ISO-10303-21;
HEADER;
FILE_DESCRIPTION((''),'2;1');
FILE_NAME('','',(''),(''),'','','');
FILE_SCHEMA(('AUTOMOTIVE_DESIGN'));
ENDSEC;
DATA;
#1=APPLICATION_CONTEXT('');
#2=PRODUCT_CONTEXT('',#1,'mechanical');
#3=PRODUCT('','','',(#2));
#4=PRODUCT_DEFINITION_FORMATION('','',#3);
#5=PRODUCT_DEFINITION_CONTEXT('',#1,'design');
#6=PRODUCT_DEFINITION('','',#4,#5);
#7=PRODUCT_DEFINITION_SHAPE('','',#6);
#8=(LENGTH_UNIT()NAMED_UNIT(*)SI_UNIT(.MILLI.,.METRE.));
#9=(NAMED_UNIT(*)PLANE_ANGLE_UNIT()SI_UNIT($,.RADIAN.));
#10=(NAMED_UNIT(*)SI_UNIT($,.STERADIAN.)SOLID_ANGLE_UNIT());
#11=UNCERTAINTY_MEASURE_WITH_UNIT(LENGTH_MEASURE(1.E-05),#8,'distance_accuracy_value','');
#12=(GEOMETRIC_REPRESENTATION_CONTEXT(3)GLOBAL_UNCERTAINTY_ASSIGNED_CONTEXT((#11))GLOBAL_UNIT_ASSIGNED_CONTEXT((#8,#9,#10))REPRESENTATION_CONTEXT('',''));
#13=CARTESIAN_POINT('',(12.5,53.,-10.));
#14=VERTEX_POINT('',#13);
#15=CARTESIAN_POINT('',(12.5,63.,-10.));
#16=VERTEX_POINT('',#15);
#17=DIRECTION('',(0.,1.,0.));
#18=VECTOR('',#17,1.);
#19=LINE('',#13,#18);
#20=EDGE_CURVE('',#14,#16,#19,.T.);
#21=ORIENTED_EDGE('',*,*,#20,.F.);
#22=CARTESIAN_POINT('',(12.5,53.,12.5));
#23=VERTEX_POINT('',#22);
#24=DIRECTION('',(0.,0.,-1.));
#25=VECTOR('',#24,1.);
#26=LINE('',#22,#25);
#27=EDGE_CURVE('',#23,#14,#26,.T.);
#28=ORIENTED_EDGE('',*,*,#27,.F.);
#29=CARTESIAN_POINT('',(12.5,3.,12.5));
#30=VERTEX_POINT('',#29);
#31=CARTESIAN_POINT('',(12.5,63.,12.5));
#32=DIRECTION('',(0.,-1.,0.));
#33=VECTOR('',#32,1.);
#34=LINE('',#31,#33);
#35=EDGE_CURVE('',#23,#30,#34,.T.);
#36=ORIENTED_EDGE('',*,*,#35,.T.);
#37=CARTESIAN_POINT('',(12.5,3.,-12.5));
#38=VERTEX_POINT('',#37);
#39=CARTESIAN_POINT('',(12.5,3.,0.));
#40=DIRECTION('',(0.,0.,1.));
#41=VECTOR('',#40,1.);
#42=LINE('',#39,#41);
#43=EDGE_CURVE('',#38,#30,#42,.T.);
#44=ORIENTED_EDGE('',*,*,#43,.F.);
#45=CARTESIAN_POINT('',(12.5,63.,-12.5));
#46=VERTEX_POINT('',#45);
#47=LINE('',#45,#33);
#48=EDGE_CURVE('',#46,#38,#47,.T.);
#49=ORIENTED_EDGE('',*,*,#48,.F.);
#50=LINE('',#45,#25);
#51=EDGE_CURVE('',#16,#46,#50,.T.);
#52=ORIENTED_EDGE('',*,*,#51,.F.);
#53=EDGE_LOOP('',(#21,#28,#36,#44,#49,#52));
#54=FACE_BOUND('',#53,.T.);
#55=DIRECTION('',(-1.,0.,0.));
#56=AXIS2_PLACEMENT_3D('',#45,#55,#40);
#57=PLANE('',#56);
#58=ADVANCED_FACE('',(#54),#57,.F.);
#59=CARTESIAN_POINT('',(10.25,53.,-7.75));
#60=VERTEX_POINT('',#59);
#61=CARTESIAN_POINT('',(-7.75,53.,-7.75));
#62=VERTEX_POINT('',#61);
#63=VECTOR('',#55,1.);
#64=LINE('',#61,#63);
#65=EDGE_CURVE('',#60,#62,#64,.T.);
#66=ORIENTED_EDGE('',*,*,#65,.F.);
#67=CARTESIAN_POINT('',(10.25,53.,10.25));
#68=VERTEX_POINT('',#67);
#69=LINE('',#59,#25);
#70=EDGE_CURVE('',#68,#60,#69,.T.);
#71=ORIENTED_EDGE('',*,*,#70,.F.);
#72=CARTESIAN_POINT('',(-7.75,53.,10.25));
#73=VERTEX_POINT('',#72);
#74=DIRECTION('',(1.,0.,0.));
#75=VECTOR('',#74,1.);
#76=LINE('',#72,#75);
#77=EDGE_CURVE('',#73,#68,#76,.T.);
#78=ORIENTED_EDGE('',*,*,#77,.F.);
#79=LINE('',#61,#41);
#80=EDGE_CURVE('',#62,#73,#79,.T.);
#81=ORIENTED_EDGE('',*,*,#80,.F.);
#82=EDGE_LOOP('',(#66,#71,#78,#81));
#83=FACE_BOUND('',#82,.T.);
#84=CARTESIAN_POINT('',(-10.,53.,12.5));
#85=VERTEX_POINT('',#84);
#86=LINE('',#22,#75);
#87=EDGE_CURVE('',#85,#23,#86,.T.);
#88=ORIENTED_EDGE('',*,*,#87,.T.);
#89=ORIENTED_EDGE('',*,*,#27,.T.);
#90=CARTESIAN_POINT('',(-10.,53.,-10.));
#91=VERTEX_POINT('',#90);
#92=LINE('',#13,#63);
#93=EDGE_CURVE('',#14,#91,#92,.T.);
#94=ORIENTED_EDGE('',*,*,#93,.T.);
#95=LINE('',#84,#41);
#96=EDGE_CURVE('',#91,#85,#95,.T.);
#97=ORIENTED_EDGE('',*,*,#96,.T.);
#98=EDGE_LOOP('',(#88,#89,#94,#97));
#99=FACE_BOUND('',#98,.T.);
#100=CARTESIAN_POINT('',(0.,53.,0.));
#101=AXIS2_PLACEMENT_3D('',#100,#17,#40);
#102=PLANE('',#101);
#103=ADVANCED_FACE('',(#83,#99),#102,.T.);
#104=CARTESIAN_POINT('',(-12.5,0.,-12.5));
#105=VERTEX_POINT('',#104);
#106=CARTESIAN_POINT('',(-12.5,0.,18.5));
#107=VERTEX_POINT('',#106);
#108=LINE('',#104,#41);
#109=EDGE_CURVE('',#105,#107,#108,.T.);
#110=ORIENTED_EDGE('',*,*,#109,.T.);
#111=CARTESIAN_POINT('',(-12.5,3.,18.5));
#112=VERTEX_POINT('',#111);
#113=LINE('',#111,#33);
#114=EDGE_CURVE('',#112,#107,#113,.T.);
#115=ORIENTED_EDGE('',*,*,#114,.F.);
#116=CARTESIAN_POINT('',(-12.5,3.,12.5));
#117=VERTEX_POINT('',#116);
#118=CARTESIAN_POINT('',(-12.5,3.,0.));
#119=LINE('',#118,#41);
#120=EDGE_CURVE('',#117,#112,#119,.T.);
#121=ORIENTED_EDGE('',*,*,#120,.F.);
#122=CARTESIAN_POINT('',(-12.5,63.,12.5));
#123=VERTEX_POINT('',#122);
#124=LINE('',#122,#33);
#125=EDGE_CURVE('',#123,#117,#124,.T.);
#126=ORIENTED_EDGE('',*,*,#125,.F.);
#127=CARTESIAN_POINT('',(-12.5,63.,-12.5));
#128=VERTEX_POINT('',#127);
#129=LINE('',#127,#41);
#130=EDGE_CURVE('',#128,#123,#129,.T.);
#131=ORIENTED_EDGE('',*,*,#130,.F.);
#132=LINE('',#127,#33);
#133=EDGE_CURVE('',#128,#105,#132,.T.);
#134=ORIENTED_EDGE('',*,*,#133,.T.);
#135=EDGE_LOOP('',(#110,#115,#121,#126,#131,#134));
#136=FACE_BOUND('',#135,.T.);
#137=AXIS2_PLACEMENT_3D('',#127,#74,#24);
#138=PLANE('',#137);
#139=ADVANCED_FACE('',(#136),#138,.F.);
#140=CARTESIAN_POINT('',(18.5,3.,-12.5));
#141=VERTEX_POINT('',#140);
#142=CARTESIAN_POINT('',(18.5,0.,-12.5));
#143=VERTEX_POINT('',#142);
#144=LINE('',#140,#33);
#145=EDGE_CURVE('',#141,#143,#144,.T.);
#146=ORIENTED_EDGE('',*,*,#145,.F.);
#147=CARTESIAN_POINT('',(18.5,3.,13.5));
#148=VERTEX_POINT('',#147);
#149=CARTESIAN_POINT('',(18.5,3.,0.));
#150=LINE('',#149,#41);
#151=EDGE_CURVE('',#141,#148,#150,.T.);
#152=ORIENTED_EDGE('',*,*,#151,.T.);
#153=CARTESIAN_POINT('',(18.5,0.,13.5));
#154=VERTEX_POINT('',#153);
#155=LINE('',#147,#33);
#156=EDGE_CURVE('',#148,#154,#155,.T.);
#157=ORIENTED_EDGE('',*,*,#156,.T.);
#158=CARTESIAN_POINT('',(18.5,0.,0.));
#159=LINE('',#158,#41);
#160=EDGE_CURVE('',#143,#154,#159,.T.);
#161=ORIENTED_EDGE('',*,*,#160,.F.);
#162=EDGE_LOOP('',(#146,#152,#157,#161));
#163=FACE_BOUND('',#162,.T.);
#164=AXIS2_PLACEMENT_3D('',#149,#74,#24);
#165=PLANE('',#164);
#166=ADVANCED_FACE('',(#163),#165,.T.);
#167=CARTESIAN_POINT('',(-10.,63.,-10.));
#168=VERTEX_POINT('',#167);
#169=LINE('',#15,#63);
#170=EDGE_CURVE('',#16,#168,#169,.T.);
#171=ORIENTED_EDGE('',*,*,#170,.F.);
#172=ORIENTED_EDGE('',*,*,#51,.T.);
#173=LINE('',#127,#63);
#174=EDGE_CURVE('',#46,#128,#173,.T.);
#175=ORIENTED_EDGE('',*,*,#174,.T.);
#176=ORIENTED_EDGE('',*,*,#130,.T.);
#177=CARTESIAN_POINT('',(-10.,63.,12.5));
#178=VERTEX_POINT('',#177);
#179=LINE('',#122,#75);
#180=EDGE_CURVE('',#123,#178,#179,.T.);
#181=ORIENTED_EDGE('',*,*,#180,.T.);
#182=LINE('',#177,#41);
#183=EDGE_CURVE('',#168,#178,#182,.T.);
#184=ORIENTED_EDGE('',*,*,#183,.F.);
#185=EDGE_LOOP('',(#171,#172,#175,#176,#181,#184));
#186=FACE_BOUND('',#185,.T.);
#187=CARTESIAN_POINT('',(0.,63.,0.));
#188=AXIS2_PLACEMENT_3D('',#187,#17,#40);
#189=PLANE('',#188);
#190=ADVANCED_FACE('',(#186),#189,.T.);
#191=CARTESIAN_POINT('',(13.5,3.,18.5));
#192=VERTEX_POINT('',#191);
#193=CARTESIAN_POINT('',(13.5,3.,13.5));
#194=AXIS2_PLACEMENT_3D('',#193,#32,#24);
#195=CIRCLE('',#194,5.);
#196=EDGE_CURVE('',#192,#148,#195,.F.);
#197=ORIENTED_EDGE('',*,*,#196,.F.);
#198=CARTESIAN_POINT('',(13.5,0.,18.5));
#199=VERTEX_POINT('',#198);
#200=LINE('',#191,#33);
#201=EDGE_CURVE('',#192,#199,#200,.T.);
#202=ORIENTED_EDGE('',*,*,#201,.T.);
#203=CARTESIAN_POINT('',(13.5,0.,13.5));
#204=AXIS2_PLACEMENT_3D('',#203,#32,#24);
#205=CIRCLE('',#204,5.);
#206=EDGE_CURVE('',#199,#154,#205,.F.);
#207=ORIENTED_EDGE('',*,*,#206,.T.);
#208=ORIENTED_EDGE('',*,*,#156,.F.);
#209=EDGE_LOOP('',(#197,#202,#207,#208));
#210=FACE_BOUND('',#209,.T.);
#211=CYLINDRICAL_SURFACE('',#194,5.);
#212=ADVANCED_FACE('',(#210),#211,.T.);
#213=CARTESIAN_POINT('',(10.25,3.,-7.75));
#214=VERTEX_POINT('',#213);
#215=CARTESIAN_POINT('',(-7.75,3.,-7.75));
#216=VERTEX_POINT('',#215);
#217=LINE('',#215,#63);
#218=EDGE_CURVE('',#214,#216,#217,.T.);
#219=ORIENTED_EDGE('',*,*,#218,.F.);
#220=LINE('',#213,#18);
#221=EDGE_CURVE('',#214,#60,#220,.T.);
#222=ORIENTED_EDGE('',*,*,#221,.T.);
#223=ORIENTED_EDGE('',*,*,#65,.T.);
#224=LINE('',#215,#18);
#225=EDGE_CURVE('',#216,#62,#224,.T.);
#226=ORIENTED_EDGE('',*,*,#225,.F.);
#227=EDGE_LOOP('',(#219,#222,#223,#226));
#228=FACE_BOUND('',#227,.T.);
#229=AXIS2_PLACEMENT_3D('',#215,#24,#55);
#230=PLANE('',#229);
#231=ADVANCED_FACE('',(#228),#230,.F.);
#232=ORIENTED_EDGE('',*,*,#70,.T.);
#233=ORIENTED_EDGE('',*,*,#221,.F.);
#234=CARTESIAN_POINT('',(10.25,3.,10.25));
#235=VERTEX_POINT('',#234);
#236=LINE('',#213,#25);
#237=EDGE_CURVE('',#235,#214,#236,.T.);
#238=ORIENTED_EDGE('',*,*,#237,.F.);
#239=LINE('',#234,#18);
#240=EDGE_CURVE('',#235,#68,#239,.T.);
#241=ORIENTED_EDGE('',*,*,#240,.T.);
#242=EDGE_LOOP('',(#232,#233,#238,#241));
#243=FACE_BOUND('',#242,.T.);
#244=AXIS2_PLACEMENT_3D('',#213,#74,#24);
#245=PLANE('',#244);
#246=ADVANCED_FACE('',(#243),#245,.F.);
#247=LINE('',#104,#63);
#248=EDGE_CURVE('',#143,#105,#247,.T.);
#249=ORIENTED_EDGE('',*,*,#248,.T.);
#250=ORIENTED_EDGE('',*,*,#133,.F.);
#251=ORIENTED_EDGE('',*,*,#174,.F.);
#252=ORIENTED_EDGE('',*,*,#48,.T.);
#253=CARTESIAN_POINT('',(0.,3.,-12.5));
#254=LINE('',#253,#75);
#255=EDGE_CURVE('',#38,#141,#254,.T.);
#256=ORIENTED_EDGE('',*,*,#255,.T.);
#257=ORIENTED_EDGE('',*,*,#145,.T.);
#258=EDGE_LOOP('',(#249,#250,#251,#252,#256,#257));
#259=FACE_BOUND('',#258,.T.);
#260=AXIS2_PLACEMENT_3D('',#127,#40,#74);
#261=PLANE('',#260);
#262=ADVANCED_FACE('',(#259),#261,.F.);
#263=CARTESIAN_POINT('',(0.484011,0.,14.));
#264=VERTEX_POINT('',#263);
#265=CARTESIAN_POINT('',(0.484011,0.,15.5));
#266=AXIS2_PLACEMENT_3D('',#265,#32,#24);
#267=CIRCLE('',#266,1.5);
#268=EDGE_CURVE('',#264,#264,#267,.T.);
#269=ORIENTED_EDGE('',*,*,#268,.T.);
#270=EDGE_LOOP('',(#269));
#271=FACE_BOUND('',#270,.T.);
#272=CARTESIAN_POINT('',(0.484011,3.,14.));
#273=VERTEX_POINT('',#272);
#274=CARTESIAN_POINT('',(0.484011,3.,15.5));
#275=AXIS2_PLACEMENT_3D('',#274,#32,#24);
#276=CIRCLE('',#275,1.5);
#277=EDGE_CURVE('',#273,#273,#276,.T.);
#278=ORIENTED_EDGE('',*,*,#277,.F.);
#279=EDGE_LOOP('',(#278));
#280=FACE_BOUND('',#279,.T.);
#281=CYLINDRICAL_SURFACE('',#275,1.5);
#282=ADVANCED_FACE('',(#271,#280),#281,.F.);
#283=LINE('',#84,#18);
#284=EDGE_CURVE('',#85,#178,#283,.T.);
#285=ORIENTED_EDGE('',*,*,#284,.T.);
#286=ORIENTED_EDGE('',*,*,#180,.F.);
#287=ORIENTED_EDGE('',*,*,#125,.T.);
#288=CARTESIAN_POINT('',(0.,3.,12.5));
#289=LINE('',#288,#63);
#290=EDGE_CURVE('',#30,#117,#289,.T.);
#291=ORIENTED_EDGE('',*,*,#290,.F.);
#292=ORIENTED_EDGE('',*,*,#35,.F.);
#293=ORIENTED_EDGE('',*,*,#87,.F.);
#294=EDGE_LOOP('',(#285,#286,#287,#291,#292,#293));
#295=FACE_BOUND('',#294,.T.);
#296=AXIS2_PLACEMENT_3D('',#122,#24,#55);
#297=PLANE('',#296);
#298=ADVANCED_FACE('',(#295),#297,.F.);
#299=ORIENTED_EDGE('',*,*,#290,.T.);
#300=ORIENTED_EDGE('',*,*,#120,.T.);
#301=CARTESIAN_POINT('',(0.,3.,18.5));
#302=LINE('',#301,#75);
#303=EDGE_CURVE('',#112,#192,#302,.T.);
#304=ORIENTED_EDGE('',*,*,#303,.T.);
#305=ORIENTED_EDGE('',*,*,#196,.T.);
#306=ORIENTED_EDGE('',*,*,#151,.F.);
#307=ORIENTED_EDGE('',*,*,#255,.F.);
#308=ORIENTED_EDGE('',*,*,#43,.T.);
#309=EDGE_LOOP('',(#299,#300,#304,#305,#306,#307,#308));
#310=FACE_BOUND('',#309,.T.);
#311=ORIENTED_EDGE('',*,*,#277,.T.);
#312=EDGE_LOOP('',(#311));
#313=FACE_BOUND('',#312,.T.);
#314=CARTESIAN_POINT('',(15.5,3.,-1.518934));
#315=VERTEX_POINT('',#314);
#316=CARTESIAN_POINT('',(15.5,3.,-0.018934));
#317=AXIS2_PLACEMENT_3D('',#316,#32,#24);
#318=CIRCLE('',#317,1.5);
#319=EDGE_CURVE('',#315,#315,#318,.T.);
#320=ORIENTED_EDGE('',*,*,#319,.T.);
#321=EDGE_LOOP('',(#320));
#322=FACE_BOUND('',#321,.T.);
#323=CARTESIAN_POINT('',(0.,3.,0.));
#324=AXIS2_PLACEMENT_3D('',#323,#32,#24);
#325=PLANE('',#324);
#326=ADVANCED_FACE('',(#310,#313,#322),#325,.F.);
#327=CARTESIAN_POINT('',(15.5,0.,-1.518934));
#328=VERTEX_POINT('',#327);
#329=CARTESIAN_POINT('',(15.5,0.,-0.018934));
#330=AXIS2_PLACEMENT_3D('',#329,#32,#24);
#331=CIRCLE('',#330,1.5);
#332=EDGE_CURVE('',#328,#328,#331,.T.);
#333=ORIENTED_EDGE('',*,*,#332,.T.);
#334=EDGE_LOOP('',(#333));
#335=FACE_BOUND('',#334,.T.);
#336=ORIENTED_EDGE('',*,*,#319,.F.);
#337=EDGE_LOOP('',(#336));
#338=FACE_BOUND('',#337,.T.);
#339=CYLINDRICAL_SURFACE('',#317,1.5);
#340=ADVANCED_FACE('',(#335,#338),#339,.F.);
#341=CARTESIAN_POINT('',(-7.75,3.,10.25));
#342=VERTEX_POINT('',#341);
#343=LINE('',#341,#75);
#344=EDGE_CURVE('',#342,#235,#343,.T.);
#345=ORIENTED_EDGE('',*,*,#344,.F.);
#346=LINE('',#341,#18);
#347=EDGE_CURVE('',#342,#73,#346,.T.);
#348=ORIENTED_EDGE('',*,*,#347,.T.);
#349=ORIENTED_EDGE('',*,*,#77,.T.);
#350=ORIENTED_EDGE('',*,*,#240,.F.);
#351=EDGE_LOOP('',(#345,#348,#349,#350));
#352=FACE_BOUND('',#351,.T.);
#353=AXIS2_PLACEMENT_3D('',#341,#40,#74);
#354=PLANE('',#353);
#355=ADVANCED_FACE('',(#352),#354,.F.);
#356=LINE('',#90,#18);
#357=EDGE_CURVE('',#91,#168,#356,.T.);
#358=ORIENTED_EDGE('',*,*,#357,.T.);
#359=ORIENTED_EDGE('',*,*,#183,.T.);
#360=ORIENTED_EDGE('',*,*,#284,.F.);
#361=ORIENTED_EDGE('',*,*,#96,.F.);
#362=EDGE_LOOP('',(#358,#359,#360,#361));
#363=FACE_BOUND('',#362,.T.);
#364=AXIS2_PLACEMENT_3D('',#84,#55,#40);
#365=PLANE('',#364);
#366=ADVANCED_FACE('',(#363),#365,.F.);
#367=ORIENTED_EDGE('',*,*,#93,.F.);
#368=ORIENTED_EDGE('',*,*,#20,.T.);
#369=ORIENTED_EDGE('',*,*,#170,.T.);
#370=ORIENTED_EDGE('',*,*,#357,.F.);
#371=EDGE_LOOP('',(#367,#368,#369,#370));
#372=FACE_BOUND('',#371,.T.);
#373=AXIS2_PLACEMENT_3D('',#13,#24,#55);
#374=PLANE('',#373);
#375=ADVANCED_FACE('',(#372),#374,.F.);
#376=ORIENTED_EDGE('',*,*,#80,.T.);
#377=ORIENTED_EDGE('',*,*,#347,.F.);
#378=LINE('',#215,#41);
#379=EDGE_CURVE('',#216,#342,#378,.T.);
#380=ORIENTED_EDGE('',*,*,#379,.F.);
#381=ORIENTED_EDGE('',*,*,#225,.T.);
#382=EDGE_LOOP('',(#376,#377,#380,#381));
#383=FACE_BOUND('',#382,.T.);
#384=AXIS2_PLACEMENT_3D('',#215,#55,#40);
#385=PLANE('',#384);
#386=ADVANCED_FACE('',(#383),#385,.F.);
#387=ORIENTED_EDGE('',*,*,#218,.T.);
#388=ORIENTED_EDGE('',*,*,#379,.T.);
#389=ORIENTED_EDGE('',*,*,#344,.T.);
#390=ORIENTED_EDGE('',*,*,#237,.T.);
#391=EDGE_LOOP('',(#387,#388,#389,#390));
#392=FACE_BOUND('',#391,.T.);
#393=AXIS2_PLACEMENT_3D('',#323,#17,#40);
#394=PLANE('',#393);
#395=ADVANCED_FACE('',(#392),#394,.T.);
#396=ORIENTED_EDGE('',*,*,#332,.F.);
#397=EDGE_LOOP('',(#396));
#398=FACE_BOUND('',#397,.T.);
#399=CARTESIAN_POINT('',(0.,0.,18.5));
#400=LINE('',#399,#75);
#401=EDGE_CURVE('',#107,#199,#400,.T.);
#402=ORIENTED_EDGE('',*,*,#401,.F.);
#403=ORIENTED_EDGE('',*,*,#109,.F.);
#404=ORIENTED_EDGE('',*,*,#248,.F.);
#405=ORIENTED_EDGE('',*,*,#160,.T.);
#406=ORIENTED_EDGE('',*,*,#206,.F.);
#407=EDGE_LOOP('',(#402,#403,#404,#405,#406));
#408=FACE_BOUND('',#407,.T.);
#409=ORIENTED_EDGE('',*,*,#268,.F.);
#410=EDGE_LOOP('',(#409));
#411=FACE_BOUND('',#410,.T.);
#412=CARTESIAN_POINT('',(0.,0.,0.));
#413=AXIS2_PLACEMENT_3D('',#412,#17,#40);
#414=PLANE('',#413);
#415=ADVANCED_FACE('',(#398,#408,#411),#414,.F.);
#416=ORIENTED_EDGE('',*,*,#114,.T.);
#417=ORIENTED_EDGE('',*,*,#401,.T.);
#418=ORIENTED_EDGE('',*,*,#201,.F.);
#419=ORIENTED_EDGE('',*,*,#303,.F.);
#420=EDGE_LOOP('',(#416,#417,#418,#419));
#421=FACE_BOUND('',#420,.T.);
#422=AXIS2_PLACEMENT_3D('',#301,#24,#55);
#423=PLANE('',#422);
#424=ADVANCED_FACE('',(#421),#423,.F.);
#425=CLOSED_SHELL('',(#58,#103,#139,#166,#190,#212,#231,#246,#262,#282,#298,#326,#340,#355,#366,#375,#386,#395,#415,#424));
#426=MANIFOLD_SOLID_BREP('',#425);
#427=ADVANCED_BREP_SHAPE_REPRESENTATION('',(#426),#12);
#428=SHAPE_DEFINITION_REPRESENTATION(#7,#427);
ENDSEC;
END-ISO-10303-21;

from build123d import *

# Parameters (mm, degrees)
SKETCH1_W           = 25
SKETCH1_H           = 25
BOSS_EXTRUDE1_DEPTH = 63
SKETCH2_W           = 22.5
SKETCH2_H           = 22.5
CUT_EXTRUDE2_DEPTH  = 10
SKETCH4_W           = 25
SKETCH4_H           = 25
SKETCH4_R           = 1.5
BOSS_EXTRUDE2_DEPTH = 3
SKETCH5_W           = 18
SKETCH5_H           = 18
CUT_EXTRUDE3_DEPTH  = 50


with BuildPart() as part:
    # Sketch1 → Boss-Extrude1 (new body)
    with BuildSketch(Plane(origin=(0, 0, 0), x_dir=(1, 0, 0), z_dir=(0, 1, 0))):
        Rectangle(SKETCH1_W, SKETCH1_H)
    extrude(amount=BOSS_EXTRUDE1_DEPTH)

    # Sketch2 → Cut-Extrude2 (cut)
    with BuildSketch(Plane(origin=(0, 63, 0), x_dir=(1, 0, 0), z_dir=(0, 1, 0))):
        with Locations((1.25, -1.25)):
            Rectangle(SKETCH2_W, SKETCH2_H)
    extrude(amount=-CUT_EXTRUDE2_DEPTH, mode=Mode.SUBTRACT)

    # Sketch4 → Boss-Extrude2 (add)
    # profile 1 of 2: a face of its own
    with BuildSketch(Plane.XZ):
        Rectangle(SKETCH4_W, SKETCH4_H)
    # profile 2 of 2: a face of its own
    with BuildSketch(Plane.XZ):
        with BuildLine():
            Line((12.5, 12.5), (12.5, -12.5))
            Line((12.5, -12.5), (18.5, -12.5))
            Line((18.5, -12.5), (18.5, 13.5))
            ThreePointArc((18.5, 13.5), (17.035533906, 17.035533906), (13.5, 18.5))
            Line((13.5, 18.5), (-12.5, 18.5))
            Line((-12.5, 18.5), (-12.5, 12.5))
            Line((-12.5, 12.5), (12.5, 12.5))
        make_face()
        with Locations(Location((15.5, -0.018933946, 0), (0, 0, 270))):
            Circle(SKETCH4_R, mode=Mode.SUBTRACT)
        with Locations(Location((0.48401104, 15.5, 0), (0, 0, 270))):
            Circle(SKETCH4_R, mode=Mode.SUBTRACT)
    extrude(amount=-BOSS_EXTRUDE2_DEPTH)

    # Sketch5 → Cut-Extrude3 (cut)
    with BuildSketch(Plane(origin=(0, 53, 0), x_dir=(1, 0, 0), z_dir=(0, 1, 0))):
        with Locations((1.25, -1.25)):
            Rectangle(SKETCH5_W, SKETCH5_H)
    extrude(amount=-CUT_EXTRUDE3_DEPTH, mode=Mode.SUBTRACT)


solid = part.part
